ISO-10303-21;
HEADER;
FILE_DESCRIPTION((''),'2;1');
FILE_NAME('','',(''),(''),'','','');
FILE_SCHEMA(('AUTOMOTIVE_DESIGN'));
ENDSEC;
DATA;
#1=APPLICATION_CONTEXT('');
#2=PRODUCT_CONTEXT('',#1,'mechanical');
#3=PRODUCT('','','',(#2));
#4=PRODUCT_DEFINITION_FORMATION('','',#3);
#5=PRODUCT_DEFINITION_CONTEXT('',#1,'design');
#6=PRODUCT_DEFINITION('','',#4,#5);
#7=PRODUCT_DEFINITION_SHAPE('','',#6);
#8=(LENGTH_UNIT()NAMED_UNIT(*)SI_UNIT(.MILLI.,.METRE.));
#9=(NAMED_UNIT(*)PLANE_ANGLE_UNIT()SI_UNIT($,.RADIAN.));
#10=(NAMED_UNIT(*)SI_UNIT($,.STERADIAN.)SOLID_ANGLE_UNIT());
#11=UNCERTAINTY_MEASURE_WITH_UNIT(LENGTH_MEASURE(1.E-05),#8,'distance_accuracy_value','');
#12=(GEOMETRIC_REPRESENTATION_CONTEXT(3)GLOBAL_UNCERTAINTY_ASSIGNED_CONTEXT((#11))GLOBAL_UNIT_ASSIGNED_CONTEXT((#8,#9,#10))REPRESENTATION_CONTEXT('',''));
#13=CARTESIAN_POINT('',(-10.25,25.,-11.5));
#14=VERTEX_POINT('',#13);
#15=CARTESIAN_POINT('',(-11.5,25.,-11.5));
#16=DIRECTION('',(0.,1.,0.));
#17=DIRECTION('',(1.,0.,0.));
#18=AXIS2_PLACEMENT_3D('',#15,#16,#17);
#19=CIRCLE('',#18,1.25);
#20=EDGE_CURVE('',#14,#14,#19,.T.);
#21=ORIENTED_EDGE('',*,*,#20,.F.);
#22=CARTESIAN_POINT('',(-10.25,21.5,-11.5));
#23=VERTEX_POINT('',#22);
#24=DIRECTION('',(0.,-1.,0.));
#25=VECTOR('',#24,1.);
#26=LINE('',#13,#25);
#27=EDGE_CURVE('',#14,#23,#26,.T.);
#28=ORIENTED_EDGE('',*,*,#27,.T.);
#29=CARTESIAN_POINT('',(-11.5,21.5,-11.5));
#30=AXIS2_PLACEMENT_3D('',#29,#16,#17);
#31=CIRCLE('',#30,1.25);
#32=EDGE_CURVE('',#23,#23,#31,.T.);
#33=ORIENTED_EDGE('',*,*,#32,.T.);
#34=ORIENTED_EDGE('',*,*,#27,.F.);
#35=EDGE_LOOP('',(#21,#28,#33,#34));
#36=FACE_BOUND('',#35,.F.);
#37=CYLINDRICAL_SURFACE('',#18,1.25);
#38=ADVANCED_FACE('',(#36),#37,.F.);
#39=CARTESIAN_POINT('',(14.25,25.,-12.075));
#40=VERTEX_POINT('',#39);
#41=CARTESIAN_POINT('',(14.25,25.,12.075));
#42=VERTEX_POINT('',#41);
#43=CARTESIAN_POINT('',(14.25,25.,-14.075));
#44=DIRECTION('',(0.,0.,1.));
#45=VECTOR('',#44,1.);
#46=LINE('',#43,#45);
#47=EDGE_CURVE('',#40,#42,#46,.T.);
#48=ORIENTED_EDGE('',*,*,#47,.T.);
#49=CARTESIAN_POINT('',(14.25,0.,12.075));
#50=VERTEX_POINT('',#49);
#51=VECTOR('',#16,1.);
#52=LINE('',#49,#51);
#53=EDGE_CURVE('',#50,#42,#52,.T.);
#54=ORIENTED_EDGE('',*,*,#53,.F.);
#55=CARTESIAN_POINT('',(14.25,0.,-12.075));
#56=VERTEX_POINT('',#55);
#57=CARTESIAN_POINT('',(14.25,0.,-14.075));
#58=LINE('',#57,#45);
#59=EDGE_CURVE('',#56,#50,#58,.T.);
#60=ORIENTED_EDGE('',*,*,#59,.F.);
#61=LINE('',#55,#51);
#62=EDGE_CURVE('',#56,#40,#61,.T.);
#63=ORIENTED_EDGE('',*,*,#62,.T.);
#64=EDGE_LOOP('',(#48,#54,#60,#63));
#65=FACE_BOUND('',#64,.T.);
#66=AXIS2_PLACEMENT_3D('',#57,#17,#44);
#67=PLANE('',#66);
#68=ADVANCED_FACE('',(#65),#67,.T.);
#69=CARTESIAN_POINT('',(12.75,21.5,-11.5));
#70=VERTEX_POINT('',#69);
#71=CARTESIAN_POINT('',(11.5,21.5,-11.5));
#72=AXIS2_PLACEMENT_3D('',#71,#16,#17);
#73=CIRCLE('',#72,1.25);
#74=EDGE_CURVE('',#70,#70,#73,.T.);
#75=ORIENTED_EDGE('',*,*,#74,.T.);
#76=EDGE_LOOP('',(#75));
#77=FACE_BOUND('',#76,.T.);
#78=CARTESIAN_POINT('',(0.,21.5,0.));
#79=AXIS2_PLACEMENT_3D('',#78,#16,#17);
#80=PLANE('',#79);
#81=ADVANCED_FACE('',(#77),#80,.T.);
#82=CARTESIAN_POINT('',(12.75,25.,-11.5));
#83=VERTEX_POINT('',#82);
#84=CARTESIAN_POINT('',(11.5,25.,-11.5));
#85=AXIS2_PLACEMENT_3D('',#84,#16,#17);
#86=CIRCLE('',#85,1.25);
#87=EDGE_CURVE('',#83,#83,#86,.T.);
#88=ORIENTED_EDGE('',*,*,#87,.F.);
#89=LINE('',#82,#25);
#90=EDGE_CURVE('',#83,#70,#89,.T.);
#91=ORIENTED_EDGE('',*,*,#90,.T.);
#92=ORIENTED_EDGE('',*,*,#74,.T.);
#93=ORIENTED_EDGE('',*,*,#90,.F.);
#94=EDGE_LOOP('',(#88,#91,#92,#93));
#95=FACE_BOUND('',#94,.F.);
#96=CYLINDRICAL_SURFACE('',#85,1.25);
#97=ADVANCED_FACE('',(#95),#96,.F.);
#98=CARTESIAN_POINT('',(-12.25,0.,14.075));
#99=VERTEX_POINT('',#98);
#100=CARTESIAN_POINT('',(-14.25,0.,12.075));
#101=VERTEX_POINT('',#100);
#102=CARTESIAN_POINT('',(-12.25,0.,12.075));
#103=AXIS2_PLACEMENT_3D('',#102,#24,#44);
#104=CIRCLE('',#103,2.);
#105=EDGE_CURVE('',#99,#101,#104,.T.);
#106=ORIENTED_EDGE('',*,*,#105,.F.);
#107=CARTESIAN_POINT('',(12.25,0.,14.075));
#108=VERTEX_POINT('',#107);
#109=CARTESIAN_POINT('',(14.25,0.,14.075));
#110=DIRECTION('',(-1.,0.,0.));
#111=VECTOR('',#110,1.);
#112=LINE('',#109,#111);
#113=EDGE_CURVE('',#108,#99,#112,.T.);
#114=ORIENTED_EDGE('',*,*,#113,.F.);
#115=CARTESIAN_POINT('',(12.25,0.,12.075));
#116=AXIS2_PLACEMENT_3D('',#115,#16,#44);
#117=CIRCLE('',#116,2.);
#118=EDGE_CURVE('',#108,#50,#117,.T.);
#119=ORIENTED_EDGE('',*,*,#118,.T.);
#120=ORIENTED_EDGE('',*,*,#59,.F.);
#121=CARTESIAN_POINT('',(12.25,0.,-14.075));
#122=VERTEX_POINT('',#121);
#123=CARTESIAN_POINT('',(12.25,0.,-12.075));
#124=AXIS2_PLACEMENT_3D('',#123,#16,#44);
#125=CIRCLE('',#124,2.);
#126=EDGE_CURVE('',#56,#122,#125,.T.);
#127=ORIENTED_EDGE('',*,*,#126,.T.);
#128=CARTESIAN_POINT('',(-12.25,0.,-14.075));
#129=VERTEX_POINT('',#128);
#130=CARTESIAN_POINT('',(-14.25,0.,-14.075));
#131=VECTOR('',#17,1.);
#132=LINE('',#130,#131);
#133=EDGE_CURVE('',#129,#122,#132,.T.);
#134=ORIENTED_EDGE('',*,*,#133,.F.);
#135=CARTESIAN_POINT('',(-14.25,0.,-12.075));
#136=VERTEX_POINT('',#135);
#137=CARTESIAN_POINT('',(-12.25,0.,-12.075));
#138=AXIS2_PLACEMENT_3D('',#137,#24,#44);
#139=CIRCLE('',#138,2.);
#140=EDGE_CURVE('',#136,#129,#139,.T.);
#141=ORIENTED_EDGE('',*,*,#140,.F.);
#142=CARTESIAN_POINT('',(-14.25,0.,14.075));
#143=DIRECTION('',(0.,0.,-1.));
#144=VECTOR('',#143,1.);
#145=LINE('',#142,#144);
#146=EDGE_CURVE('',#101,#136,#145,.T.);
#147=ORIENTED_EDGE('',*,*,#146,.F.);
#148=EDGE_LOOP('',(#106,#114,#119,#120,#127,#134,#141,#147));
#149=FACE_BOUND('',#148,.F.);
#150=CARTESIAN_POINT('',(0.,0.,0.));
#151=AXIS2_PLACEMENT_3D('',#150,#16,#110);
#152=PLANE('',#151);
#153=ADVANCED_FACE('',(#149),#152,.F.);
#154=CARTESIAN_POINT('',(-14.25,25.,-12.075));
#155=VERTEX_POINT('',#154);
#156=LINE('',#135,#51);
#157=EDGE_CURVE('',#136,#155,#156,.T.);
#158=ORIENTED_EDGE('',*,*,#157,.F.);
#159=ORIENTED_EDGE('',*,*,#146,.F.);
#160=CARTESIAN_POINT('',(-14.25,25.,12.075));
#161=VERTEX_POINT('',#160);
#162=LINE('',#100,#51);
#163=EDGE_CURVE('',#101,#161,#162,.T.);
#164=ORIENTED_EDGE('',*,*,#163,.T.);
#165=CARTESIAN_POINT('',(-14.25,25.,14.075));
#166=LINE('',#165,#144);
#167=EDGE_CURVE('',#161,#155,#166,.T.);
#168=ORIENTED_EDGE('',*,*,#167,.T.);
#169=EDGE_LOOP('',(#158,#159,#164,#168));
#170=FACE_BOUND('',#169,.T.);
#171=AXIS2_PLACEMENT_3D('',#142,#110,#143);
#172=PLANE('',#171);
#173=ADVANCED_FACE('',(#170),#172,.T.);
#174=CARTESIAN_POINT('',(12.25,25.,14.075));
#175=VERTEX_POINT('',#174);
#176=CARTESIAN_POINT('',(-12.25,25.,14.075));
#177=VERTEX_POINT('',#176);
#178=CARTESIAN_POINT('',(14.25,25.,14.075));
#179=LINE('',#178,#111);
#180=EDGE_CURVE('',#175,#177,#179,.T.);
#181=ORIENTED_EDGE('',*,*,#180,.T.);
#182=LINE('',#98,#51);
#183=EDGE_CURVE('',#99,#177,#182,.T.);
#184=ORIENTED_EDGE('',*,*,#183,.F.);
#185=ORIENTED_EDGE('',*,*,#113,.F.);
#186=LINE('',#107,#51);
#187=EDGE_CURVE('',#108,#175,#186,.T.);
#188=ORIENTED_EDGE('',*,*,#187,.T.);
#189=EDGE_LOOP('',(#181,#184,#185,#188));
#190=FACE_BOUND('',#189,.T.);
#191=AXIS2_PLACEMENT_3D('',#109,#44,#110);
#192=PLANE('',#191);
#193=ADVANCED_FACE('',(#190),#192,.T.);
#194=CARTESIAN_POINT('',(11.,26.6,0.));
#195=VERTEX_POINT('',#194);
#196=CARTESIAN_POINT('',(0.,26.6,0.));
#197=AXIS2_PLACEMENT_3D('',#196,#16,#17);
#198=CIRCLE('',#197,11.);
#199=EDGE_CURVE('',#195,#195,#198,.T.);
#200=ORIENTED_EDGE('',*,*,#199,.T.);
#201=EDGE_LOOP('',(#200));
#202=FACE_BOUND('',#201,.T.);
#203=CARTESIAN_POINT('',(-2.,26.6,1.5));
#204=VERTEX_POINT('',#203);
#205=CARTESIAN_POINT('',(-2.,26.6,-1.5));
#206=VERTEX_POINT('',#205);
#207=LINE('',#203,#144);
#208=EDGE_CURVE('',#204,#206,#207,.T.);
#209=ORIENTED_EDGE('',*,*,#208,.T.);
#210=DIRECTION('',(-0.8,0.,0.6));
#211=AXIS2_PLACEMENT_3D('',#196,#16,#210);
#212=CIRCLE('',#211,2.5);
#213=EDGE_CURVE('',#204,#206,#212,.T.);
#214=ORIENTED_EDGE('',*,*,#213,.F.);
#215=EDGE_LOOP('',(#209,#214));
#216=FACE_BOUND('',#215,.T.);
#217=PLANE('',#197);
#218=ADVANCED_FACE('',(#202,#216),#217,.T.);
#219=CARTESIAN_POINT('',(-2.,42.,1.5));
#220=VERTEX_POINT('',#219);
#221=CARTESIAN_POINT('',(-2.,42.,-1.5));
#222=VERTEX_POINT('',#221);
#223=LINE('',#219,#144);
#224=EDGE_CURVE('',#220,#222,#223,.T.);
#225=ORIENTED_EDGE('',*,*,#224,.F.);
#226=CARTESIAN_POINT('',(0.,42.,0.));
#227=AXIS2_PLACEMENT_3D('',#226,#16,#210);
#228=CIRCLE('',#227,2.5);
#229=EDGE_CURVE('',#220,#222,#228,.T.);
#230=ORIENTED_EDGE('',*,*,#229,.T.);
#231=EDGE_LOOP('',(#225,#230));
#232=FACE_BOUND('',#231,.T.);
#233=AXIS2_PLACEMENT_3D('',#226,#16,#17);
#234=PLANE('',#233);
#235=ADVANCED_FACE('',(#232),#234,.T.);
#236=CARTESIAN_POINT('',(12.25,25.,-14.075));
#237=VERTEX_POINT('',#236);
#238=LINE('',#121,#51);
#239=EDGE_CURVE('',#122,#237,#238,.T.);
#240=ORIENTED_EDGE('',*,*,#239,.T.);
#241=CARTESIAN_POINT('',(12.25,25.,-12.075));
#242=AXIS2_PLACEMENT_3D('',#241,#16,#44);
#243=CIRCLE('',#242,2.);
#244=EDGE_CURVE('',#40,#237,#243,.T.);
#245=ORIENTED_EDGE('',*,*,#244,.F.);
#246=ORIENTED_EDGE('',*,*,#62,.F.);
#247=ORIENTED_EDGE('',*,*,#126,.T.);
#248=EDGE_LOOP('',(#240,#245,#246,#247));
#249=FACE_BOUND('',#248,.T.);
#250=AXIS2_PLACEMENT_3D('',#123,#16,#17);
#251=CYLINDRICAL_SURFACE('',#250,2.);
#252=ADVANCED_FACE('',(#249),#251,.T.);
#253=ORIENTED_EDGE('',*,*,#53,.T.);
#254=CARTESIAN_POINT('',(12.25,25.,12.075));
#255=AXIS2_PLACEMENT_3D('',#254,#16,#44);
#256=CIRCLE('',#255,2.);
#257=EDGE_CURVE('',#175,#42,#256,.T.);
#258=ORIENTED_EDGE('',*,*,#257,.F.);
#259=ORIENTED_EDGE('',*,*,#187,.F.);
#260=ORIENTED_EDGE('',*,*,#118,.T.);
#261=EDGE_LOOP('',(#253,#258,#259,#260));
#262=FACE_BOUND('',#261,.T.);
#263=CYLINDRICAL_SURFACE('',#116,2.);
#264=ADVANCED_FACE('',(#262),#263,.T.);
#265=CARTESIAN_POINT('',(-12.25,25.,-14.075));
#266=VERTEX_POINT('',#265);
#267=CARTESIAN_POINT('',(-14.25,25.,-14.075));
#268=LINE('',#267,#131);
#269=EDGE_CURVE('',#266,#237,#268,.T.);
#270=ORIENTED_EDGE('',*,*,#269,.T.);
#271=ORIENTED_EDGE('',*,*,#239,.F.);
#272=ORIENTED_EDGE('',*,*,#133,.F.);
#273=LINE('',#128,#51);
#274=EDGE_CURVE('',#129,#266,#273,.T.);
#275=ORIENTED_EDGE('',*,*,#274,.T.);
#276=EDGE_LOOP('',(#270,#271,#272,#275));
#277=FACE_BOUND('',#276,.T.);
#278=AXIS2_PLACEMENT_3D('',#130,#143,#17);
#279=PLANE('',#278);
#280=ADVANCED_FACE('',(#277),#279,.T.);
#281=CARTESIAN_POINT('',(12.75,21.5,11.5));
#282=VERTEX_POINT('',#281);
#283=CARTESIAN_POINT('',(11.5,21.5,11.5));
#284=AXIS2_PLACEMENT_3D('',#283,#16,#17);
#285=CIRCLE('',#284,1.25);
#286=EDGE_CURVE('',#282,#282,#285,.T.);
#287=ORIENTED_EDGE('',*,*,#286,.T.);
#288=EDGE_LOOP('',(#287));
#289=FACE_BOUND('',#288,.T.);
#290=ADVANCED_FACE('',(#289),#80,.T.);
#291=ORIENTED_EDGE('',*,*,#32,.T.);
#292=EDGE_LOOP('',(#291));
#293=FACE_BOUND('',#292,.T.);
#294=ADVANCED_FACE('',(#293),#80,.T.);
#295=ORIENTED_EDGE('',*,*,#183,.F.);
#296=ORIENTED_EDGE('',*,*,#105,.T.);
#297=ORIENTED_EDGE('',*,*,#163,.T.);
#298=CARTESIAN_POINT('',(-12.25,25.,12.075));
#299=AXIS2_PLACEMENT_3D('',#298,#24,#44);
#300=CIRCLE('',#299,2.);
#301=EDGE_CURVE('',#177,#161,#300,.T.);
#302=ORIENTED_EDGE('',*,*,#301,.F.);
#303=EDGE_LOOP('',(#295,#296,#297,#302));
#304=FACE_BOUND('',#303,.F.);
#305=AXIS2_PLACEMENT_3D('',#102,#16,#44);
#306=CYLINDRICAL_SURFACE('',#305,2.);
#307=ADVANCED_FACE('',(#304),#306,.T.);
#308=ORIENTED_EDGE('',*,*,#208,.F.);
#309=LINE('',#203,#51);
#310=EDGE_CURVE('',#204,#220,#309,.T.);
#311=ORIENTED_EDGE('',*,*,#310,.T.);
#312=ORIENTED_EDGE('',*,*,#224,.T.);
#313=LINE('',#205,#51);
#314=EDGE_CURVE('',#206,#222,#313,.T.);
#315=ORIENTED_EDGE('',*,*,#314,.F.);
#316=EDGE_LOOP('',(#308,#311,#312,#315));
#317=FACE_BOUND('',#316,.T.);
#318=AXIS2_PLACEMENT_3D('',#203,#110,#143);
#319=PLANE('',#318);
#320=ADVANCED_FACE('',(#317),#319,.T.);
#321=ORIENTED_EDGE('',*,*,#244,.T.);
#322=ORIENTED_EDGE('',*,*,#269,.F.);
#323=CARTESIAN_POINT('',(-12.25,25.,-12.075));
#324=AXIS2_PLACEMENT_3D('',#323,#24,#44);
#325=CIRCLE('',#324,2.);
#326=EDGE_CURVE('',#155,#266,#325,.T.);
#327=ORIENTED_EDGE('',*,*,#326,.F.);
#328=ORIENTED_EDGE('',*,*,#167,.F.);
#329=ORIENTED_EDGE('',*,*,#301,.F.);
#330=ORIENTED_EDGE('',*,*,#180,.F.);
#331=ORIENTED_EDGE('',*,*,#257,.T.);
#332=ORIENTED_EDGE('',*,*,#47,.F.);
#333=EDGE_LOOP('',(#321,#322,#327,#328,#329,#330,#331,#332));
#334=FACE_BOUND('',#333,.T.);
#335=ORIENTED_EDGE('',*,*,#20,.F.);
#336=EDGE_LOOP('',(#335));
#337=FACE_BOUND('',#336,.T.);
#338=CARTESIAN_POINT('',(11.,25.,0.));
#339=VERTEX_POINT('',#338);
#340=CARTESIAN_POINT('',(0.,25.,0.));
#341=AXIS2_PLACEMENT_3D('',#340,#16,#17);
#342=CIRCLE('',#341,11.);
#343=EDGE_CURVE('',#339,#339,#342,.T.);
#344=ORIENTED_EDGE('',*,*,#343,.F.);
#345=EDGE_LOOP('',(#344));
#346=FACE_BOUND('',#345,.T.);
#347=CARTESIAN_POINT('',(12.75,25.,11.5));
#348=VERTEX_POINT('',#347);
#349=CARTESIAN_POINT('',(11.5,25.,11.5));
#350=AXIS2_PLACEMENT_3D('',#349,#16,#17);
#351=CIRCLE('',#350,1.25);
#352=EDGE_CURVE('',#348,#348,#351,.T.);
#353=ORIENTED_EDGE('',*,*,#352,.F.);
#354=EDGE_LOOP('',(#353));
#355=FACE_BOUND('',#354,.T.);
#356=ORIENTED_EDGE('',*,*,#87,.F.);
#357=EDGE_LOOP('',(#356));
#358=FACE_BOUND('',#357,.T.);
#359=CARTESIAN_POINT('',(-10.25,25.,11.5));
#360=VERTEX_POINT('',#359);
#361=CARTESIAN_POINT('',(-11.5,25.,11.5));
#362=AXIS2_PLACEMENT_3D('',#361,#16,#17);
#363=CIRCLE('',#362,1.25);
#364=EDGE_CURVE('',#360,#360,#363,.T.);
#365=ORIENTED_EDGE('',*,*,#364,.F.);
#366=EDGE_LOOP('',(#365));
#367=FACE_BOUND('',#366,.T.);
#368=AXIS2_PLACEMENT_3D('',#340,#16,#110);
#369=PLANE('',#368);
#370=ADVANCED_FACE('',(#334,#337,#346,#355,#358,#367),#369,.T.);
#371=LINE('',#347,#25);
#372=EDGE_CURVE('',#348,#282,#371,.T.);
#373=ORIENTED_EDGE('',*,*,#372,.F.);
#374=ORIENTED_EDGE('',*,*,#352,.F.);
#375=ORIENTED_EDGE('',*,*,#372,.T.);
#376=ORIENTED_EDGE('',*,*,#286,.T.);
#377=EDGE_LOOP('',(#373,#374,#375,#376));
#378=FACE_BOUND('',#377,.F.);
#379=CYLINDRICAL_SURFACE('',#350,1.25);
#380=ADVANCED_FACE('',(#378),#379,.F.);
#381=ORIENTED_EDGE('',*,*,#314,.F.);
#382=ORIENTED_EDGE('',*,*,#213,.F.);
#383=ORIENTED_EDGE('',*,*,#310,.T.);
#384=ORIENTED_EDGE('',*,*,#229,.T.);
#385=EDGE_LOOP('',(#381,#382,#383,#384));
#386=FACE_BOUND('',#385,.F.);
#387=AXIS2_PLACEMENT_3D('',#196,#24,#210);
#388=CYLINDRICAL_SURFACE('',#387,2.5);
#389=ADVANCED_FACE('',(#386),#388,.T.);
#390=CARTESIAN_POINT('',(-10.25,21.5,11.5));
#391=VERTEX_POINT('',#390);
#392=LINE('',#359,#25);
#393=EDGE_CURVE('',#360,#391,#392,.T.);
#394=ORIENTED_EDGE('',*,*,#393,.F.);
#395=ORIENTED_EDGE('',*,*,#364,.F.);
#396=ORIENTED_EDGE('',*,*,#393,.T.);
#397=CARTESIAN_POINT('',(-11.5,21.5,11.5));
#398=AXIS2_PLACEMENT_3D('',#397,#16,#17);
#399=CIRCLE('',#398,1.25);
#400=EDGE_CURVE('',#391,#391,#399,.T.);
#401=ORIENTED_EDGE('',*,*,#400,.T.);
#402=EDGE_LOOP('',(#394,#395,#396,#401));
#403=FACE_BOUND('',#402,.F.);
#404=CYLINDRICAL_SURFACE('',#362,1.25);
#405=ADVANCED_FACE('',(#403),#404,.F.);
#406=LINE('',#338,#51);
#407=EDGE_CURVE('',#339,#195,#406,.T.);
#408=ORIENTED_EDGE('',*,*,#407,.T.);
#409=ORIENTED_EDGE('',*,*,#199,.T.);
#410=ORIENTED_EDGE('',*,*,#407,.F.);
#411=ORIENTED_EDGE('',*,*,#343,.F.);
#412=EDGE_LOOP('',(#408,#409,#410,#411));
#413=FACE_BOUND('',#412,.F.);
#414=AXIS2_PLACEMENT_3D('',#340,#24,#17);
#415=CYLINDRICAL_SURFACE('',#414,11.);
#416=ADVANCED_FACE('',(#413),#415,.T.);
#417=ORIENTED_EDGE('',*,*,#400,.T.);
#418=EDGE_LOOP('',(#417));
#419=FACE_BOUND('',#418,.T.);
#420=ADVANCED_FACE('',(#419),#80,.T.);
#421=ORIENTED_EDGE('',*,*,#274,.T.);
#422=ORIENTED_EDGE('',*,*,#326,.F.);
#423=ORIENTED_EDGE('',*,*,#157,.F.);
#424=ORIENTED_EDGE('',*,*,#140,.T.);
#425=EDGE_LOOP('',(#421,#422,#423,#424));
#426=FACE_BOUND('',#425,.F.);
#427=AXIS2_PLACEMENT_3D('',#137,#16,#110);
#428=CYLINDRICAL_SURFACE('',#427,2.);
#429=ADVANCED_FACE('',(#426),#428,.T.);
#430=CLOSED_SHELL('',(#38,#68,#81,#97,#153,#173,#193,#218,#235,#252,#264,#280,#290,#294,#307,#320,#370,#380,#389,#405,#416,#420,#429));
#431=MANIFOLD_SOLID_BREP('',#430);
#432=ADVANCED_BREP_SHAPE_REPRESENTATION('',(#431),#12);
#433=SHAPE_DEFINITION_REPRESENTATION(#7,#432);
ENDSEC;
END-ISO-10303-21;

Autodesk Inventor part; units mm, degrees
ref_plane "YZ Plane" through (0, 0, 0) normal (1, 0, 0) x (0, 1, 0)
ref_plane "XZ Plane" through (0, 0, 0) normal (0, 1, 0) x (-1, 0, 0)
ref_plane "XY Plane" through (0, 0, 0) normal (0, 0, 1) x (1, 0, 0)
sketch "草圖1" plane through (0, 0, 0) normal (0, 1, 0) x (-1, 0, 0)
  line L0 (-14.25, 14.075) -> (14.25, 14.075)
  line L1 (14.25, 14.075) -> (14.25, -14.075)
  line L2 (14.25, -14.075) -> (-14.25, -14.075)
  line L3 (-14.25, -14.075) -> (-14.25, 14.075)
  line L4 (-14.25, 14.075) -> (14.25, -14.075) construction
  line L5 (14.25, 14.075) -> (-14.25, -14.075) construction
  point P0 (0, 0)
  dimension "d0" = 28.5
  dimension "d1" = 28.15
extrude "擠出1" add sketch "草圖1" along normal blind 25
sketch "草圖2" plane through (0, 25, 0) normal (0, 1, 0) x (1, 0, 0)
  circle A0 centre (0, 0) radius 11
  dimension "d4" = 22
extrude "擠出2" add sketch "草圖2" along normal blind 1.6
sketch "草圖3" plane through (0, 26.6, 0) normal (0, 1, 0) x (1, 0, 0)
  arc A0 (-2, -1.5) -> (-2, 1.5) centre (0, 0) ccw
  line L0 (-2, -1.5) -> (-2, 1.5)
  dimension "d7" = 5
  dimension "d8" = 2
extrude "擠出3" add sketch "草圖3" along normal blind 15.4
sketch "草圖4" plane through (0, 25, 0) normal (0, 1, 0) x (1, 0, 0)
  line L0 (11.5, -11.5) -> (-11.5, -11.5) construction
  line L1 (-11.5, -11.5) -> (-11.5, 11.5) construction
  line L2 (-11.5, 11.5) -> (11.5, 11.5) construction
  line L3 (11.5, 11.5) -> (11.5, -11.5) construction
  arc A0 (-2, -1.5) -> (-2, 1.5) centre (0, 0) ccw construction
  line L4 (11.5, -11.5) -> (-11.5, 11.5) construction
  line L5 (-11.5, -11.5) -> (11.5, 11.5) construction
  circle A1 centre (-11.5, 11.5) radius 1.25
  circle A2 centre (-11.5, -11.5) radius 1.25
  circle A3 centre (11.5, -11.5) radius 1.25
  circle A4 centre (11.5, 11.5) radius 1.25
  dimension "d11" = 23
  dimension "d12" = 23
  dimension "d13" = 2.5
  dimension "d16" = 360
extrude "擠出4" cut sketch "草圖4" against normal blind 3.5
fillet "圓角1" radius 2 4 edges at (14.25, 12.5, 14.075) (14.25, 12.5, -14.075) (-14.25, 12.5, 14.075) (-14.25, 12.5, -14.075)
sketch "草圖5" plane through (0, 42, 0) normal (0, 1, 0) x (1, 0, 0)
  point P0 (0, 0)
  point P1 (0, 0)
properties part number "nema 11x25"
